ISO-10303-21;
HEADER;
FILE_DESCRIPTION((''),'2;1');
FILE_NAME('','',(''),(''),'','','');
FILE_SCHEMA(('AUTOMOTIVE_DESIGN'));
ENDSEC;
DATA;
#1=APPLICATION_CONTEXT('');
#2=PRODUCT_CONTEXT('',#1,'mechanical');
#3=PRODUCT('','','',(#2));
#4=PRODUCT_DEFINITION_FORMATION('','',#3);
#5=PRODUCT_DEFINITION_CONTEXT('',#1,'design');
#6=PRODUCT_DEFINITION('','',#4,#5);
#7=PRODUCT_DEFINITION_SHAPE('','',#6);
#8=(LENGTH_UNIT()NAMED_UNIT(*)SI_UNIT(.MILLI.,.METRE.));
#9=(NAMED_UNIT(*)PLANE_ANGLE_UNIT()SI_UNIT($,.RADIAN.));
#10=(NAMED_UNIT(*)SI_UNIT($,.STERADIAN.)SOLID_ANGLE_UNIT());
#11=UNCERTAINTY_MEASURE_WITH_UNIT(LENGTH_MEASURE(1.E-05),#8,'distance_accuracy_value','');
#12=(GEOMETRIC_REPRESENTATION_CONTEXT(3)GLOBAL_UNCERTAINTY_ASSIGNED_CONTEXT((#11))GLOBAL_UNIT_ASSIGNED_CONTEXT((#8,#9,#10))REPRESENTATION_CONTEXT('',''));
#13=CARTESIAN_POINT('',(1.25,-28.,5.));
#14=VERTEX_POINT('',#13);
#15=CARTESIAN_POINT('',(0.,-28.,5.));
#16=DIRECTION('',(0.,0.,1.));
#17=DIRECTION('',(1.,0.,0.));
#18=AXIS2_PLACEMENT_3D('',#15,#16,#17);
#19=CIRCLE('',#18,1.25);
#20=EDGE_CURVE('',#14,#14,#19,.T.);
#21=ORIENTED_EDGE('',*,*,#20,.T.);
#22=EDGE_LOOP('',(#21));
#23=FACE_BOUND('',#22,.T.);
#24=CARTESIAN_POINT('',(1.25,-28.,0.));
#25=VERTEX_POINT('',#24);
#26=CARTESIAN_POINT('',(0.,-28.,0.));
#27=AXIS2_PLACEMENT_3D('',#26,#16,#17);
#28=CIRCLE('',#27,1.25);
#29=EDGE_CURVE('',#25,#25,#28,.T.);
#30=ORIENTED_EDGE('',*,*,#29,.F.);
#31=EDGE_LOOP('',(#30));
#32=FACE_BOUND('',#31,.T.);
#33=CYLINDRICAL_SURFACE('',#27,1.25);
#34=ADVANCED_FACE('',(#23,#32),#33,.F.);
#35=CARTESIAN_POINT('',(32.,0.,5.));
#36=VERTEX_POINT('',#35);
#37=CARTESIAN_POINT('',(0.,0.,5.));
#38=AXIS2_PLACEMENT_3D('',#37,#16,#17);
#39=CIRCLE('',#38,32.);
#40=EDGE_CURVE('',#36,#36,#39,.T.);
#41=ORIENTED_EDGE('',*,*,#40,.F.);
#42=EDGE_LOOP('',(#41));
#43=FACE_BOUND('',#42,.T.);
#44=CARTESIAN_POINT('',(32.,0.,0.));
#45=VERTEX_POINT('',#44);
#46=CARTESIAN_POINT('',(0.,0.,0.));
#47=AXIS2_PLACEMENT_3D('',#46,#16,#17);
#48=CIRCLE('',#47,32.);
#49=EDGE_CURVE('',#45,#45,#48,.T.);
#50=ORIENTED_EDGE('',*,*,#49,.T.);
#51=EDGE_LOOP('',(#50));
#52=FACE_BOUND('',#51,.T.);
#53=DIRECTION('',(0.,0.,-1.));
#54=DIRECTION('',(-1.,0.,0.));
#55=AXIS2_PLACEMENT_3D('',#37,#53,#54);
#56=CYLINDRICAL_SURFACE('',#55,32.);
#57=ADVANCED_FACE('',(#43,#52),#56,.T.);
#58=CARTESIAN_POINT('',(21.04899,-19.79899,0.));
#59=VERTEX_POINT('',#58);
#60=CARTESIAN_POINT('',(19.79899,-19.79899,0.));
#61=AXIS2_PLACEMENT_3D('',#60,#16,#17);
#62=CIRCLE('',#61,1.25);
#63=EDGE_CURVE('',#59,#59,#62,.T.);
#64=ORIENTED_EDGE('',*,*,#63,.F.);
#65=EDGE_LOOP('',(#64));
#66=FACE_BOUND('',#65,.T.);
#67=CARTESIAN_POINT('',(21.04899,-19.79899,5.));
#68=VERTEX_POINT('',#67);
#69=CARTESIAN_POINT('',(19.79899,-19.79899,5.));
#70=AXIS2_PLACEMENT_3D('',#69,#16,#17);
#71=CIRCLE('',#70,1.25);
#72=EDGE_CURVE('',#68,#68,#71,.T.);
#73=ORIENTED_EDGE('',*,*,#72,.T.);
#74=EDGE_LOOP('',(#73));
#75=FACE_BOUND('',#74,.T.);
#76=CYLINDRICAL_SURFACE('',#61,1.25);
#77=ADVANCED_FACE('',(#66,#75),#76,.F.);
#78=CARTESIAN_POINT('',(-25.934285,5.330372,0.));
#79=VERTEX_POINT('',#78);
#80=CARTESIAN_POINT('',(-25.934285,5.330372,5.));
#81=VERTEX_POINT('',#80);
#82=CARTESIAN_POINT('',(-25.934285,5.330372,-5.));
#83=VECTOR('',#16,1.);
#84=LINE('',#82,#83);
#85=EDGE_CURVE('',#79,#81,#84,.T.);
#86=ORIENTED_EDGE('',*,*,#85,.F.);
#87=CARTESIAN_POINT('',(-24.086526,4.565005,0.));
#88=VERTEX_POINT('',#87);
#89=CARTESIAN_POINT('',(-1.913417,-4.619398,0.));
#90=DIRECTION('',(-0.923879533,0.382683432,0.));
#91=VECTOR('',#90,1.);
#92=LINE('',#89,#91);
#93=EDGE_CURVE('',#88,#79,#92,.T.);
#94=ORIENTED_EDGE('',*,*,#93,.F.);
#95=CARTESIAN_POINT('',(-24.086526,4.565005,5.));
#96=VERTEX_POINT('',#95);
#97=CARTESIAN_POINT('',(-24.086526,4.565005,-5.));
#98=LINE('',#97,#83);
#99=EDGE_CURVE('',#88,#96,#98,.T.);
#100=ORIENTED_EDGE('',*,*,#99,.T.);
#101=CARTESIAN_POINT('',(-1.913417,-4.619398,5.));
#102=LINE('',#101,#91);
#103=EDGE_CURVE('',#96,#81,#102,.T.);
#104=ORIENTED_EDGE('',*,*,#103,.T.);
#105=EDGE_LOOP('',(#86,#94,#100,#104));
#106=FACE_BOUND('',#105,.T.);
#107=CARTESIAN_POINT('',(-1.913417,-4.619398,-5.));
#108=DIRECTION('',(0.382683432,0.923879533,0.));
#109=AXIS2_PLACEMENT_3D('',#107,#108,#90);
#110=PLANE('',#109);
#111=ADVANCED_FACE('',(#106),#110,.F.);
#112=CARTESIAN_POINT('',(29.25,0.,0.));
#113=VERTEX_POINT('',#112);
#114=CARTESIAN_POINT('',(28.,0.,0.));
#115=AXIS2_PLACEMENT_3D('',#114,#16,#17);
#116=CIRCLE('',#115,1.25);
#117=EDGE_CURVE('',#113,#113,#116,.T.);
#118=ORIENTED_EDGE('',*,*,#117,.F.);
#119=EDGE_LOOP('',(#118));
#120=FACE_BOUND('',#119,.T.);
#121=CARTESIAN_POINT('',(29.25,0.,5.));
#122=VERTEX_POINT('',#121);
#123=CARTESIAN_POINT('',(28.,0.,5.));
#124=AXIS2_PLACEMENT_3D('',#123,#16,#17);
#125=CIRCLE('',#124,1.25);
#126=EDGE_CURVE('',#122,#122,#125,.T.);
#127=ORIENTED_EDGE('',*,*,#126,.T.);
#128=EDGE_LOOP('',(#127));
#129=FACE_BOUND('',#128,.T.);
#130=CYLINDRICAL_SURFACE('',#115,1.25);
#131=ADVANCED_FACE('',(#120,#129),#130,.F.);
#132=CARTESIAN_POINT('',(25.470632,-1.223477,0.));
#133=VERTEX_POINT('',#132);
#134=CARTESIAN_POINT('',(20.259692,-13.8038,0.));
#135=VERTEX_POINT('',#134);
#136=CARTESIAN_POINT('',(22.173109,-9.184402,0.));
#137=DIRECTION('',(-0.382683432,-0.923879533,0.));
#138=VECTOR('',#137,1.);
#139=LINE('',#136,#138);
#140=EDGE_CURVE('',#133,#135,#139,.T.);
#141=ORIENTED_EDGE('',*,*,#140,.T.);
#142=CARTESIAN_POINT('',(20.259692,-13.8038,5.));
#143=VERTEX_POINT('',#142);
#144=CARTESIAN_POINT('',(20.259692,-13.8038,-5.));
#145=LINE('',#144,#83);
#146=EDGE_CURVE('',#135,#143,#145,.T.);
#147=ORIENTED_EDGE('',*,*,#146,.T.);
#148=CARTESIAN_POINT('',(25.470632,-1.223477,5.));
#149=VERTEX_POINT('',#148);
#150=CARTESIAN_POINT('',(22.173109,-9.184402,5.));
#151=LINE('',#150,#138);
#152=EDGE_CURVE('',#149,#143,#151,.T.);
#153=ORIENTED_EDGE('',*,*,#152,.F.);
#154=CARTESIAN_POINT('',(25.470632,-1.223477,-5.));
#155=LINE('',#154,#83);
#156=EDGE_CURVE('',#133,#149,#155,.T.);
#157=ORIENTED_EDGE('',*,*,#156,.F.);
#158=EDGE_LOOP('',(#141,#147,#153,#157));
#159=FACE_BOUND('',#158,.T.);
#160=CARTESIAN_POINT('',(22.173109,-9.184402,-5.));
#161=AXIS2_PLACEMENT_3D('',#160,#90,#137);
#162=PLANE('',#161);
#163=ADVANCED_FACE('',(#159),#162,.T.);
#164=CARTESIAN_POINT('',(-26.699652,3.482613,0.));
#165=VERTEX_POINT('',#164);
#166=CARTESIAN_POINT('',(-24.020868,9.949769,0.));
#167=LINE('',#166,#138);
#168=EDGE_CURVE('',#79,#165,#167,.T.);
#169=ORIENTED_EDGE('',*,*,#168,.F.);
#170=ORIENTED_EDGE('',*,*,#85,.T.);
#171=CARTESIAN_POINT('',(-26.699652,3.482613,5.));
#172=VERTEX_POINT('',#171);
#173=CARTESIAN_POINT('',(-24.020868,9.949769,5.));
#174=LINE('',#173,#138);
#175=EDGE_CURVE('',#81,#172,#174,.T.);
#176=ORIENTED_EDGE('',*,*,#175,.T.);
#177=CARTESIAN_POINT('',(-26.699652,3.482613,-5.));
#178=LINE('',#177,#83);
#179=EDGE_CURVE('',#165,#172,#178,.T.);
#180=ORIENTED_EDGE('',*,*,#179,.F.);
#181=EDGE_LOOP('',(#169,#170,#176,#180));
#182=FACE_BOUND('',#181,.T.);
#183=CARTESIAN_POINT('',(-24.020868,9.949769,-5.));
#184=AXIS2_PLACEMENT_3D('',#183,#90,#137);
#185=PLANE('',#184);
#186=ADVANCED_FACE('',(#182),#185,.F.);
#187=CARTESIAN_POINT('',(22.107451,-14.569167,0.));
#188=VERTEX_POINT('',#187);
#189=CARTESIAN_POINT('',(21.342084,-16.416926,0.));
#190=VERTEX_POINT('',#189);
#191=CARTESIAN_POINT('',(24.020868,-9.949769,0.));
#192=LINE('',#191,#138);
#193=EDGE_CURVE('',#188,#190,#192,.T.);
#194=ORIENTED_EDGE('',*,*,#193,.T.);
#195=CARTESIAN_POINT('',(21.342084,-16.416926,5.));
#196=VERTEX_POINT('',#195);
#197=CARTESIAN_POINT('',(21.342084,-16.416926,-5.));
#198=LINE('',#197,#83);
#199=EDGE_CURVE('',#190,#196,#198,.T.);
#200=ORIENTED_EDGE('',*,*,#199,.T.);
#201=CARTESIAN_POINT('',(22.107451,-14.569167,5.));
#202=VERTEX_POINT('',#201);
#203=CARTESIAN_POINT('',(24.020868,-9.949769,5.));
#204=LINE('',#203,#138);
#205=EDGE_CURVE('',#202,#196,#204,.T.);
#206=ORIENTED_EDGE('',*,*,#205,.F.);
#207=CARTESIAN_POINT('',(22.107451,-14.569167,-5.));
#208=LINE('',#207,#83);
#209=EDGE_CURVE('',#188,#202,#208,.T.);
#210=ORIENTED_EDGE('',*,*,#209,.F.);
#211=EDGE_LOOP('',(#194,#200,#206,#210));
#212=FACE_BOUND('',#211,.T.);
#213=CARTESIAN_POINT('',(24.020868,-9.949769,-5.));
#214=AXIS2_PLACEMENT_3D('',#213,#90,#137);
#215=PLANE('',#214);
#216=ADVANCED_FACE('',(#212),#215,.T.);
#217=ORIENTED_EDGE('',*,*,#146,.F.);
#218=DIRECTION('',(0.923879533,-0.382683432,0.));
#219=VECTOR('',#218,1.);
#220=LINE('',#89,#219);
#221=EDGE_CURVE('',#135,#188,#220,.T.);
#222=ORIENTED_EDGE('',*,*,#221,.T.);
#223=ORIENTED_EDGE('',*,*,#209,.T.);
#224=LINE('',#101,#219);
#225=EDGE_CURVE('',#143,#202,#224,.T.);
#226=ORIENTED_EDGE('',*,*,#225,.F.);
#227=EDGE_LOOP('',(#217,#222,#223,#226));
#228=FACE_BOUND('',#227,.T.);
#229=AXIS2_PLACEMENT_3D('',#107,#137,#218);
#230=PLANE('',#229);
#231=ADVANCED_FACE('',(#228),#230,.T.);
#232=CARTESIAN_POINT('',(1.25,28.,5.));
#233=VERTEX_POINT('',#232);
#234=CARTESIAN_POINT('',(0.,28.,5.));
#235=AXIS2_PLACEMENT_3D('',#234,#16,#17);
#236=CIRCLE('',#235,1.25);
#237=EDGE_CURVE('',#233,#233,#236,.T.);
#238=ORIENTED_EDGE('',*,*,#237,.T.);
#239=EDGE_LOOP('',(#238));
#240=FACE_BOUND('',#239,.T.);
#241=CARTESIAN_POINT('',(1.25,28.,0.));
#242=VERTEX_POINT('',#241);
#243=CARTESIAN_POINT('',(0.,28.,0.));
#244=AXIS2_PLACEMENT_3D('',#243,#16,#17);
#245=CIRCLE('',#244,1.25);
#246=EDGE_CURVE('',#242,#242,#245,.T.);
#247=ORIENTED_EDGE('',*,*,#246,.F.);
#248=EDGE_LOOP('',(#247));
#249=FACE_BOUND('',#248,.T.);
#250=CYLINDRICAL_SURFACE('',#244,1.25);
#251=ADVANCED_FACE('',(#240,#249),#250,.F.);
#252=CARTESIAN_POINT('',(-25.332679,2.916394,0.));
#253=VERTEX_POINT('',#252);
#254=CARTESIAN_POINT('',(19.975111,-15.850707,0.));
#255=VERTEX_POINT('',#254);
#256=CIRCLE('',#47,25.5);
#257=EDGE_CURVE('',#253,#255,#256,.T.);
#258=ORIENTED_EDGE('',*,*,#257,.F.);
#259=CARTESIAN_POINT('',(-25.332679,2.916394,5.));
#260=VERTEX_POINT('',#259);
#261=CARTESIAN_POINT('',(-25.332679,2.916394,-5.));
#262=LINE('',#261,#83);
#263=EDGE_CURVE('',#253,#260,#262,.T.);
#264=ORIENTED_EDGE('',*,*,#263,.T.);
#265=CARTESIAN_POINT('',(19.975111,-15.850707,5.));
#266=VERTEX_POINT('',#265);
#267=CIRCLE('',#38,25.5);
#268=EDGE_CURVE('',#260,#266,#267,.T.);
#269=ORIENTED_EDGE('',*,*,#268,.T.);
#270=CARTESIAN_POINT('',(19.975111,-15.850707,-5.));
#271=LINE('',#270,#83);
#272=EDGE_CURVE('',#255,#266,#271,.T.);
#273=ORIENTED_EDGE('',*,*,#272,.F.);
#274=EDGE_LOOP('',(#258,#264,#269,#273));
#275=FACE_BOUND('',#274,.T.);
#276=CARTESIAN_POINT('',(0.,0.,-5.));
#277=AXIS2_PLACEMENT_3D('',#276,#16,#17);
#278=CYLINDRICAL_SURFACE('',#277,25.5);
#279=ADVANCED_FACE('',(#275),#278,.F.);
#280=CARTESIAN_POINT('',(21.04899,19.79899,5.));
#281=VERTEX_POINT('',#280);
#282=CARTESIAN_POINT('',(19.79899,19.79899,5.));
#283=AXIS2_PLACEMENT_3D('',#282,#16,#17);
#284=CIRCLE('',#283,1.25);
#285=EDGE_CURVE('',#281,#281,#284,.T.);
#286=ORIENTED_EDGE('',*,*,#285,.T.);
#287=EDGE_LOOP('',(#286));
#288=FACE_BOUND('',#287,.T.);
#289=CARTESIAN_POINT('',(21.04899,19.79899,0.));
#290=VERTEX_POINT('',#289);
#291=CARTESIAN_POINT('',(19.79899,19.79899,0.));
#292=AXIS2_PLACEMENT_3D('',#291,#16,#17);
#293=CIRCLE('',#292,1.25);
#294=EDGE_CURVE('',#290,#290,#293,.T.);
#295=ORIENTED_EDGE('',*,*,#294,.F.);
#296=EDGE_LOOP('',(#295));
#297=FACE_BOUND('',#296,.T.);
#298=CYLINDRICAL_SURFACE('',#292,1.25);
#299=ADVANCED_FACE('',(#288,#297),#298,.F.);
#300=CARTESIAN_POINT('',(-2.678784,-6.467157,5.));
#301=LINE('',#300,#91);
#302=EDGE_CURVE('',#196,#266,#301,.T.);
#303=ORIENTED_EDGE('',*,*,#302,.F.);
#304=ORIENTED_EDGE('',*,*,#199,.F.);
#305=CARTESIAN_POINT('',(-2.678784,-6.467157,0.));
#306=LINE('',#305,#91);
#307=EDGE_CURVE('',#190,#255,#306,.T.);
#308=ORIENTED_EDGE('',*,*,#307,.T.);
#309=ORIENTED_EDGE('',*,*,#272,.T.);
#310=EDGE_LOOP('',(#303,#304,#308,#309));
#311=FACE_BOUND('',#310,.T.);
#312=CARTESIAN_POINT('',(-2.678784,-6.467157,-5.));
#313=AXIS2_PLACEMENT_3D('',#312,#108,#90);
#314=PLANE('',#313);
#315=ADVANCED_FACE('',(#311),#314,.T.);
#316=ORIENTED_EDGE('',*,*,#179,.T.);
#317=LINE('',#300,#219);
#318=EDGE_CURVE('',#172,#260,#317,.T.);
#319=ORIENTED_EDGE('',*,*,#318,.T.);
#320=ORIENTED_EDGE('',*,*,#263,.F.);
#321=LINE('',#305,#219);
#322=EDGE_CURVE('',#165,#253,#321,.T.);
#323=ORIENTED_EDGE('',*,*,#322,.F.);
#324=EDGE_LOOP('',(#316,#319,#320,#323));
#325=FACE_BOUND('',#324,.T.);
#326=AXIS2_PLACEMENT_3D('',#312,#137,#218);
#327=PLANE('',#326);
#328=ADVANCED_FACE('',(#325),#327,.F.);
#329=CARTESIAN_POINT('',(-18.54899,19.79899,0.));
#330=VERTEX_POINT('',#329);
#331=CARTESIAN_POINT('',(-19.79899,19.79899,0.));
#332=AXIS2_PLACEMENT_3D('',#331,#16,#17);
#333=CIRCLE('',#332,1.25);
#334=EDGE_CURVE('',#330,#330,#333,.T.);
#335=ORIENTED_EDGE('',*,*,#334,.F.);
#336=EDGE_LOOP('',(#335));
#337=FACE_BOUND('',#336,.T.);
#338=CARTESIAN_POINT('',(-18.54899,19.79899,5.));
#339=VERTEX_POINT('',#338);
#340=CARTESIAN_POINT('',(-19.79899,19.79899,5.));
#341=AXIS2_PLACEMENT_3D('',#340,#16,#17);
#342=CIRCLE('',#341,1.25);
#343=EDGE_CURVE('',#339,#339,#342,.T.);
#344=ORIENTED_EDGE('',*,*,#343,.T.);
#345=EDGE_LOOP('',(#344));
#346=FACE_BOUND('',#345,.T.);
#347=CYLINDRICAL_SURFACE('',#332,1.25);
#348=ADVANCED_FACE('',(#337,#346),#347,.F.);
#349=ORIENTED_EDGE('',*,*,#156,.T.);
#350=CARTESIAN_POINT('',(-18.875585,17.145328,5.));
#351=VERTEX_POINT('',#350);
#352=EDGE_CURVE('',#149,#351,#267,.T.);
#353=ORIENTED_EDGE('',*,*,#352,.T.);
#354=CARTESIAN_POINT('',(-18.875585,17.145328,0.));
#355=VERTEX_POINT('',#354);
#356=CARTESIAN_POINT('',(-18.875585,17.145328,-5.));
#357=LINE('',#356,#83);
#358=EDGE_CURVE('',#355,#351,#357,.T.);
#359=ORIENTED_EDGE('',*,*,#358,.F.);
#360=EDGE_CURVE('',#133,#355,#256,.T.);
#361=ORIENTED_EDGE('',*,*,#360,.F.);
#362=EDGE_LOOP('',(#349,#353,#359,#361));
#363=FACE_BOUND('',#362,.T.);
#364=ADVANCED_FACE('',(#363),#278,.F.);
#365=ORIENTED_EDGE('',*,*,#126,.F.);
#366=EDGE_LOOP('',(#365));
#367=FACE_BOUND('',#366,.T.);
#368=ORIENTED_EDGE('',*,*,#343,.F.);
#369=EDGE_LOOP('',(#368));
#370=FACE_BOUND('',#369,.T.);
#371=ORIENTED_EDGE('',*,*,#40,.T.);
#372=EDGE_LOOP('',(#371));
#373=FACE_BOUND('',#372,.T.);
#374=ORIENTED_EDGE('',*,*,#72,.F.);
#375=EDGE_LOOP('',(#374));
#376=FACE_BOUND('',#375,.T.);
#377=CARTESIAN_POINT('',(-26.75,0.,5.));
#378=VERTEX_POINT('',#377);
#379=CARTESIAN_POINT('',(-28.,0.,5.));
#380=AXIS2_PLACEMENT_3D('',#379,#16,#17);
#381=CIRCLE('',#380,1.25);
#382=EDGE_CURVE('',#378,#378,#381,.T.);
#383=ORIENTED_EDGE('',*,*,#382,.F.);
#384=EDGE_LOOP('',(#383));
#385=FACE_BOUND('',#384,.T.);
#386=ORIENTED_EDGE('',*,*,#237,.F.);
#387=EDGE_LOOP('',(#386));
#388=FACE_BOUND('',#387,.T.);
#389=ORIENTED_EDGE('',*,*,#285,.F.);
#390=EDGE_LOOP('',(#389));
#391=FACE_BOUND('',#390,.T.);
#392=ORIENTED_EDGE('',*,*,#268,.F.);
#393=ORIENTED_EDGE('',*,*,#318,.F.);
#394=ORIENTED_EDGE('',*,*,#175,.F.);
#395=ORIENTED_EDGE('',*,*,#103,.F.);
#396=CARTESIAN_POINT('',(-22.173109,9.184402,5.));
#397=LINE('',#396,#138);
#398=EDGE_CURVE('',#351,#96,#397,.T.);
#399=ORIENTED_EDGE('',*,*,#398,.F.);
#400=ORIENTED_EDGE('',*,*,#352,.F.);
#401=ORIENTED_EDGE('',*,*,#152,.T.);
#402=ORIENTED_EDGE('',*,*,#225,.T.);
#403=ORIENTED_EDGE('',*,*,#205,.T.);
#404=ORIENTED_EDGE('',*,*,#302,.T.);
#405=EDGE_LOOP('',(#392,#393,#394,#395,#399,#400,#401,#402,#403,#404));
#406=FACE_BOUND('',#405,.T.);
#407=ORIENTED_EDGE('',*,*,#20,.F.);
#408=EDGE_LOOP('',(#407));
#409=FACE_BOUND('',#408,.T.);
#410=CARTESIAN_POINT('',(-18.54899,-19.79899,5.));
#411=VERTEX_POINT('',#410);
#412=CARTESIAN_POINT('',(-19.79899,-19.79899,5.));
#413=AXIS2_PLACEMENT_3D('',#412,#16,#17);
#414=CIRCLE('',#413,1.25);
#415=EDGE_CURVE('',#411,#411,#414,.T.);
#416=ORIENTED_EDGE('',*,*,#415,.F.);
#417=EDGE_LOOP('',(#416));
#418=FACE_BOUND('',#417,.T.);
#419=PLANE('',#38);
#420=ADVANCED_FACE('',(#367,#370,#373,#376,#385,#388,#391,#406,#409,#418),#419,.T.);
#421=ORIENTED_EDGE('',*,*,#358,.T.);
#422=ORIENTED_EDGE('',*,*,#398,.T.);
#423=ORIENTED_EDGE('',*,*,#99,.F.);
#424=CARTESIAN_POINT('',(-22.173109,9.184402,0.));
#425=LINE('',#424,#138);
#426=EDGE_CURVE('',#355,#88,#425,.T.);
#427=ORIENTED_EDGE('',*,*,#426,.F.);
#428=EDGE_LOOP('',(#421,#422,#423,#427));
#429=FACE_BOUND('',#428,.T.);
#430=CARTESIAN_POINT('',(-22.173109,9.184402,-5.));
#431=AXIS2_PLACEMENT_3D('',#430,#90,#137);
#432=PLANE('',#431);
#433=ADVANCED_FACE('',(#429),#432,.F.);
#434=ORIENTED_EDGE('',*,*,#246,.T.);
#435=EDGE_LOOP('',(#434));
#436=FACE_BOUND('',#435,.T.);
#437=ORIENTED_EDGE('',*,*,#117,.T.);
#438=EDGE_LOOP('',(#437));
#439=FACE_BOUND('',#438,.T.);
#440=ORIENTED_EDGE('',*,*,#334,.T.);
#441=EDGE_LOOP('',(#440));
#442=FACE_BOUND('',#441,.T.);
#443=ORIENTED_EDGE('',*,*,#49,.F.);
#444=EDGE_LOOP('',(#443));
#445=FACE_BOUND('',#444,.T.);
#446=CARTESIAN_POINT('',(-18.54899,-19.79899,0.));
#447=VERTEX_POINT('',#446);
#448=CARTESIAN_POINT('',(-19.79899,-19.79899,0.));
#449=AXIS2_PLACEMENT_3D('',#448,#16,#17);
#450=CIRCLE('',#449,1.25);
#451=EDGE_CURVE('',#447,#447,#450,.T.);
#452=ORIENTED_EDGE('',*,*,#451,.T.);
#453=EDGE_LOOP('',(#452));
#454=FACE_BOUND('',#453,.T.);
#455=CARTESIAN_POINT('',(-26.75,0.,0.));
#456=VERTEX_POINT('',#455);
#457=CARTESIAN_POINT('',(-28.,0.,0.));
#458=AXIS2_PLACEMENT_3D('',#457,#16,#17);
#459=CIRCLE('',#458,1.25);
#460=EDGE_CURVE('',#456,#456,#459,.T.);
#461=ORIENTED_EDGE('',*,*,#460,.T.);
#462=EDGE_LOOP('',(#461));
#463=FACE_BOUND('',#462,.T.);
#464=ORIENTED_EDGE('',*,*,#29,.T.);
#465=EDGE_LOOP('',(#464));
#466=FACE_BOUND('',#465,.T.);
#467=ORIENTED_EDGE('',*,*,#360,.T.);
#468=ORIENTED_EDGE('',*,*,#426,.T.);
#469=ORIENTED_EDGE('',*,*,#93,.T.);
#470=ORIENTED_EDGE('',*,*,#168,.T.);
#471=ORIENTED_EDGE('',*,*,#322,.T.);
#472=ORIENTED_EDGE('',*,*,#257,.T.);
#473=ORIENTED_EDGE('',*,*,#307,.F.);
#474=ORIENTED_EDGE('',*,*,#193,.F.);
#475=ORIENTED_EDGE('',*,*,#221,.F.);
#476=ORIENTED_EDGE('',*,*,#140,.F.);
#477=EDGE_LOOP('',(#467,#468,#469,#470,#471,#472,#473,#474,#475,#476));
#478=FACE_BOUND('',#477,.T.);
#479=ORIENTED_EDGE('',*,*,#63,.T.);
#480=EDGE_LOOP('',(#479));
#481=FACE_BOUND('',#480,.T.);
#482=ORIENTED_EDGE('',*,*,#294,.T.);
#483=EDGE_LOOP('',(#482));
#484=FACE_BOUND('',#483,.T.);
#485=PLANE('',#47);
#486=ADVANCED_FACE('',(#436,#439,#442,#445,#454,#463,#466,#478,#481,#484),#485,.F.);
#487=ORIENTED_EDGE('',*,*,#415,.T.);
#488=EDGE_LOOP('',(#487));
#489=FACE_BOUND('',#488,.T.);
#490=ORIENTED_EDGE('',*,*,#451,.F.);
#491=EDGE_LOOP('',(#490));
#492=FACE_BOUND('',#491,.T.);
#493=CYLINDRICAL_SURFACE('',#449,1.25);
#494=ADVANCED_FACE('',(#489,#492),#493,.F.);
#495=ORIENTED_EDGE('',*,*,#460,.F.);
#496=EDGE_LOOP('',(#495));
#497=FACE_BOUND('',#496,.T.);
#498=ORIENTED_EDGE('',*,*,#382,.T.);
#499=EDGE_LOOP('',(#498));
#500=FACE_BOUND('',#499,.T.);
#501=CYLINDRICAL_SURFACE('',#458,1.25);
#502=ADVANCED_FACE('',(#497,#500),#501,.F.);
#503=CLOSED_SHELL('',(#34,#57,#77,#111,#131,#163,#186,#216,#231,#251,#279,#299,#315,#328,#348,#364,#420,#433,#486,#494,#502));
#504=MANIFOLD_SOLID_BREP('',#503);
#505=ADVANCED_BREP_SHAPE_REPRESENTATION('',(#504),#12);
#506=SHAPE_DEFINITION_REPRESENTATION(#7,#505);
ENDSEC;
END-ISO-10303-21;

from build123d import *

# Parameters (mm, degrees)
CROQUIS1_R              = 32
SALIENTE_EXTRUIR1_DEPTH = 5
CROQUIS2_R              = 1.25
CORTAR_EXTRUIR1_DEPTH   = 46.530209751
CORTAR_EXTRUIR2_DEPTH   = 10


with BuildPart() as part:
    # Croquis1 → Saliente-Extruir1 (new body)
    with BuildSketch(Plane.XY):
        Circle(CROQUIS1_R)
    extrude(amount=SALIENTE_EXTRUIR1_DEPTH)

    # Croquis2 → Cortar-Extruir1 (cut, through all)
    with BuildSketch(Plane.XY.offset(5)):
        with Locations((0, 28)):
            Circle(CROQUIS2_R)
        with Locations((19.798989873, 19.798989873)):
            Circle(CROQUIS2_R)
        with Locations((28, 0)):
            Circle(CROQUIS2_R)
        with Locations((19.798989873, -19.798989873)):
            Circle(CROQUIS2_R)
        with Locations((0, -28)):
            Circle(CROQUIS2_R)
        with Locations((-19.798989873, -19.798989873)):
            Circle(CROQUIS2_R)
        with Locations((-28, 0)):
            Circle(CROQUIS2_R)
        with Locations((-19.798989873, 19.798989873)):
            Circle(CROQUIS2_R)
    extrude(amount=-CORTAR_EXTRUIR1_DEPTH, mode=Mode.SUBTRACT)

    # Croquis3 → Cortar-Extruir2 (cut)
    with BuildSketch(Plane.XY.offset(5)):
        with BuildLine():
            Line((-18.875585354, 17.145328155), (-24.086525942, 4.565004714))
            Line((-24.086525942, 4.565004714), (-25.934285007, 5.330371579))
            Line((-25.934285007, 5.330371579), (-26.699651872, 3.482612514))
            Line((-26.699651872, 3.482612514), (-25.332679411, 2.916393981))
            ThreePointArc((-25.332679411, 2.916393981), (-9.758427525, -23.558928079), (19.975111358, -15.850707436))
            Line((19.975111358, -15.850707436), (21.342083819, -16.416925969))
            Line((21.342083819, -16.416925969), (22.107450683, -14.569166904))
            Line((22.107450683, -14.569166904), (20.259691618, -13.803800039))
            Line((20.259691618, -13.803800039), (25.470632207, -1.223476598))
            ThreePointArc((25.470632207, -1.223476598), (9.758427525, 23.558928079), (-18.875585354, 17.145328155))
        make_face()
    extrude(amount=-CORTAR_EXTRUIR2_DEPTH, mode=Mode.SUBTRACT)


solid = part.part
